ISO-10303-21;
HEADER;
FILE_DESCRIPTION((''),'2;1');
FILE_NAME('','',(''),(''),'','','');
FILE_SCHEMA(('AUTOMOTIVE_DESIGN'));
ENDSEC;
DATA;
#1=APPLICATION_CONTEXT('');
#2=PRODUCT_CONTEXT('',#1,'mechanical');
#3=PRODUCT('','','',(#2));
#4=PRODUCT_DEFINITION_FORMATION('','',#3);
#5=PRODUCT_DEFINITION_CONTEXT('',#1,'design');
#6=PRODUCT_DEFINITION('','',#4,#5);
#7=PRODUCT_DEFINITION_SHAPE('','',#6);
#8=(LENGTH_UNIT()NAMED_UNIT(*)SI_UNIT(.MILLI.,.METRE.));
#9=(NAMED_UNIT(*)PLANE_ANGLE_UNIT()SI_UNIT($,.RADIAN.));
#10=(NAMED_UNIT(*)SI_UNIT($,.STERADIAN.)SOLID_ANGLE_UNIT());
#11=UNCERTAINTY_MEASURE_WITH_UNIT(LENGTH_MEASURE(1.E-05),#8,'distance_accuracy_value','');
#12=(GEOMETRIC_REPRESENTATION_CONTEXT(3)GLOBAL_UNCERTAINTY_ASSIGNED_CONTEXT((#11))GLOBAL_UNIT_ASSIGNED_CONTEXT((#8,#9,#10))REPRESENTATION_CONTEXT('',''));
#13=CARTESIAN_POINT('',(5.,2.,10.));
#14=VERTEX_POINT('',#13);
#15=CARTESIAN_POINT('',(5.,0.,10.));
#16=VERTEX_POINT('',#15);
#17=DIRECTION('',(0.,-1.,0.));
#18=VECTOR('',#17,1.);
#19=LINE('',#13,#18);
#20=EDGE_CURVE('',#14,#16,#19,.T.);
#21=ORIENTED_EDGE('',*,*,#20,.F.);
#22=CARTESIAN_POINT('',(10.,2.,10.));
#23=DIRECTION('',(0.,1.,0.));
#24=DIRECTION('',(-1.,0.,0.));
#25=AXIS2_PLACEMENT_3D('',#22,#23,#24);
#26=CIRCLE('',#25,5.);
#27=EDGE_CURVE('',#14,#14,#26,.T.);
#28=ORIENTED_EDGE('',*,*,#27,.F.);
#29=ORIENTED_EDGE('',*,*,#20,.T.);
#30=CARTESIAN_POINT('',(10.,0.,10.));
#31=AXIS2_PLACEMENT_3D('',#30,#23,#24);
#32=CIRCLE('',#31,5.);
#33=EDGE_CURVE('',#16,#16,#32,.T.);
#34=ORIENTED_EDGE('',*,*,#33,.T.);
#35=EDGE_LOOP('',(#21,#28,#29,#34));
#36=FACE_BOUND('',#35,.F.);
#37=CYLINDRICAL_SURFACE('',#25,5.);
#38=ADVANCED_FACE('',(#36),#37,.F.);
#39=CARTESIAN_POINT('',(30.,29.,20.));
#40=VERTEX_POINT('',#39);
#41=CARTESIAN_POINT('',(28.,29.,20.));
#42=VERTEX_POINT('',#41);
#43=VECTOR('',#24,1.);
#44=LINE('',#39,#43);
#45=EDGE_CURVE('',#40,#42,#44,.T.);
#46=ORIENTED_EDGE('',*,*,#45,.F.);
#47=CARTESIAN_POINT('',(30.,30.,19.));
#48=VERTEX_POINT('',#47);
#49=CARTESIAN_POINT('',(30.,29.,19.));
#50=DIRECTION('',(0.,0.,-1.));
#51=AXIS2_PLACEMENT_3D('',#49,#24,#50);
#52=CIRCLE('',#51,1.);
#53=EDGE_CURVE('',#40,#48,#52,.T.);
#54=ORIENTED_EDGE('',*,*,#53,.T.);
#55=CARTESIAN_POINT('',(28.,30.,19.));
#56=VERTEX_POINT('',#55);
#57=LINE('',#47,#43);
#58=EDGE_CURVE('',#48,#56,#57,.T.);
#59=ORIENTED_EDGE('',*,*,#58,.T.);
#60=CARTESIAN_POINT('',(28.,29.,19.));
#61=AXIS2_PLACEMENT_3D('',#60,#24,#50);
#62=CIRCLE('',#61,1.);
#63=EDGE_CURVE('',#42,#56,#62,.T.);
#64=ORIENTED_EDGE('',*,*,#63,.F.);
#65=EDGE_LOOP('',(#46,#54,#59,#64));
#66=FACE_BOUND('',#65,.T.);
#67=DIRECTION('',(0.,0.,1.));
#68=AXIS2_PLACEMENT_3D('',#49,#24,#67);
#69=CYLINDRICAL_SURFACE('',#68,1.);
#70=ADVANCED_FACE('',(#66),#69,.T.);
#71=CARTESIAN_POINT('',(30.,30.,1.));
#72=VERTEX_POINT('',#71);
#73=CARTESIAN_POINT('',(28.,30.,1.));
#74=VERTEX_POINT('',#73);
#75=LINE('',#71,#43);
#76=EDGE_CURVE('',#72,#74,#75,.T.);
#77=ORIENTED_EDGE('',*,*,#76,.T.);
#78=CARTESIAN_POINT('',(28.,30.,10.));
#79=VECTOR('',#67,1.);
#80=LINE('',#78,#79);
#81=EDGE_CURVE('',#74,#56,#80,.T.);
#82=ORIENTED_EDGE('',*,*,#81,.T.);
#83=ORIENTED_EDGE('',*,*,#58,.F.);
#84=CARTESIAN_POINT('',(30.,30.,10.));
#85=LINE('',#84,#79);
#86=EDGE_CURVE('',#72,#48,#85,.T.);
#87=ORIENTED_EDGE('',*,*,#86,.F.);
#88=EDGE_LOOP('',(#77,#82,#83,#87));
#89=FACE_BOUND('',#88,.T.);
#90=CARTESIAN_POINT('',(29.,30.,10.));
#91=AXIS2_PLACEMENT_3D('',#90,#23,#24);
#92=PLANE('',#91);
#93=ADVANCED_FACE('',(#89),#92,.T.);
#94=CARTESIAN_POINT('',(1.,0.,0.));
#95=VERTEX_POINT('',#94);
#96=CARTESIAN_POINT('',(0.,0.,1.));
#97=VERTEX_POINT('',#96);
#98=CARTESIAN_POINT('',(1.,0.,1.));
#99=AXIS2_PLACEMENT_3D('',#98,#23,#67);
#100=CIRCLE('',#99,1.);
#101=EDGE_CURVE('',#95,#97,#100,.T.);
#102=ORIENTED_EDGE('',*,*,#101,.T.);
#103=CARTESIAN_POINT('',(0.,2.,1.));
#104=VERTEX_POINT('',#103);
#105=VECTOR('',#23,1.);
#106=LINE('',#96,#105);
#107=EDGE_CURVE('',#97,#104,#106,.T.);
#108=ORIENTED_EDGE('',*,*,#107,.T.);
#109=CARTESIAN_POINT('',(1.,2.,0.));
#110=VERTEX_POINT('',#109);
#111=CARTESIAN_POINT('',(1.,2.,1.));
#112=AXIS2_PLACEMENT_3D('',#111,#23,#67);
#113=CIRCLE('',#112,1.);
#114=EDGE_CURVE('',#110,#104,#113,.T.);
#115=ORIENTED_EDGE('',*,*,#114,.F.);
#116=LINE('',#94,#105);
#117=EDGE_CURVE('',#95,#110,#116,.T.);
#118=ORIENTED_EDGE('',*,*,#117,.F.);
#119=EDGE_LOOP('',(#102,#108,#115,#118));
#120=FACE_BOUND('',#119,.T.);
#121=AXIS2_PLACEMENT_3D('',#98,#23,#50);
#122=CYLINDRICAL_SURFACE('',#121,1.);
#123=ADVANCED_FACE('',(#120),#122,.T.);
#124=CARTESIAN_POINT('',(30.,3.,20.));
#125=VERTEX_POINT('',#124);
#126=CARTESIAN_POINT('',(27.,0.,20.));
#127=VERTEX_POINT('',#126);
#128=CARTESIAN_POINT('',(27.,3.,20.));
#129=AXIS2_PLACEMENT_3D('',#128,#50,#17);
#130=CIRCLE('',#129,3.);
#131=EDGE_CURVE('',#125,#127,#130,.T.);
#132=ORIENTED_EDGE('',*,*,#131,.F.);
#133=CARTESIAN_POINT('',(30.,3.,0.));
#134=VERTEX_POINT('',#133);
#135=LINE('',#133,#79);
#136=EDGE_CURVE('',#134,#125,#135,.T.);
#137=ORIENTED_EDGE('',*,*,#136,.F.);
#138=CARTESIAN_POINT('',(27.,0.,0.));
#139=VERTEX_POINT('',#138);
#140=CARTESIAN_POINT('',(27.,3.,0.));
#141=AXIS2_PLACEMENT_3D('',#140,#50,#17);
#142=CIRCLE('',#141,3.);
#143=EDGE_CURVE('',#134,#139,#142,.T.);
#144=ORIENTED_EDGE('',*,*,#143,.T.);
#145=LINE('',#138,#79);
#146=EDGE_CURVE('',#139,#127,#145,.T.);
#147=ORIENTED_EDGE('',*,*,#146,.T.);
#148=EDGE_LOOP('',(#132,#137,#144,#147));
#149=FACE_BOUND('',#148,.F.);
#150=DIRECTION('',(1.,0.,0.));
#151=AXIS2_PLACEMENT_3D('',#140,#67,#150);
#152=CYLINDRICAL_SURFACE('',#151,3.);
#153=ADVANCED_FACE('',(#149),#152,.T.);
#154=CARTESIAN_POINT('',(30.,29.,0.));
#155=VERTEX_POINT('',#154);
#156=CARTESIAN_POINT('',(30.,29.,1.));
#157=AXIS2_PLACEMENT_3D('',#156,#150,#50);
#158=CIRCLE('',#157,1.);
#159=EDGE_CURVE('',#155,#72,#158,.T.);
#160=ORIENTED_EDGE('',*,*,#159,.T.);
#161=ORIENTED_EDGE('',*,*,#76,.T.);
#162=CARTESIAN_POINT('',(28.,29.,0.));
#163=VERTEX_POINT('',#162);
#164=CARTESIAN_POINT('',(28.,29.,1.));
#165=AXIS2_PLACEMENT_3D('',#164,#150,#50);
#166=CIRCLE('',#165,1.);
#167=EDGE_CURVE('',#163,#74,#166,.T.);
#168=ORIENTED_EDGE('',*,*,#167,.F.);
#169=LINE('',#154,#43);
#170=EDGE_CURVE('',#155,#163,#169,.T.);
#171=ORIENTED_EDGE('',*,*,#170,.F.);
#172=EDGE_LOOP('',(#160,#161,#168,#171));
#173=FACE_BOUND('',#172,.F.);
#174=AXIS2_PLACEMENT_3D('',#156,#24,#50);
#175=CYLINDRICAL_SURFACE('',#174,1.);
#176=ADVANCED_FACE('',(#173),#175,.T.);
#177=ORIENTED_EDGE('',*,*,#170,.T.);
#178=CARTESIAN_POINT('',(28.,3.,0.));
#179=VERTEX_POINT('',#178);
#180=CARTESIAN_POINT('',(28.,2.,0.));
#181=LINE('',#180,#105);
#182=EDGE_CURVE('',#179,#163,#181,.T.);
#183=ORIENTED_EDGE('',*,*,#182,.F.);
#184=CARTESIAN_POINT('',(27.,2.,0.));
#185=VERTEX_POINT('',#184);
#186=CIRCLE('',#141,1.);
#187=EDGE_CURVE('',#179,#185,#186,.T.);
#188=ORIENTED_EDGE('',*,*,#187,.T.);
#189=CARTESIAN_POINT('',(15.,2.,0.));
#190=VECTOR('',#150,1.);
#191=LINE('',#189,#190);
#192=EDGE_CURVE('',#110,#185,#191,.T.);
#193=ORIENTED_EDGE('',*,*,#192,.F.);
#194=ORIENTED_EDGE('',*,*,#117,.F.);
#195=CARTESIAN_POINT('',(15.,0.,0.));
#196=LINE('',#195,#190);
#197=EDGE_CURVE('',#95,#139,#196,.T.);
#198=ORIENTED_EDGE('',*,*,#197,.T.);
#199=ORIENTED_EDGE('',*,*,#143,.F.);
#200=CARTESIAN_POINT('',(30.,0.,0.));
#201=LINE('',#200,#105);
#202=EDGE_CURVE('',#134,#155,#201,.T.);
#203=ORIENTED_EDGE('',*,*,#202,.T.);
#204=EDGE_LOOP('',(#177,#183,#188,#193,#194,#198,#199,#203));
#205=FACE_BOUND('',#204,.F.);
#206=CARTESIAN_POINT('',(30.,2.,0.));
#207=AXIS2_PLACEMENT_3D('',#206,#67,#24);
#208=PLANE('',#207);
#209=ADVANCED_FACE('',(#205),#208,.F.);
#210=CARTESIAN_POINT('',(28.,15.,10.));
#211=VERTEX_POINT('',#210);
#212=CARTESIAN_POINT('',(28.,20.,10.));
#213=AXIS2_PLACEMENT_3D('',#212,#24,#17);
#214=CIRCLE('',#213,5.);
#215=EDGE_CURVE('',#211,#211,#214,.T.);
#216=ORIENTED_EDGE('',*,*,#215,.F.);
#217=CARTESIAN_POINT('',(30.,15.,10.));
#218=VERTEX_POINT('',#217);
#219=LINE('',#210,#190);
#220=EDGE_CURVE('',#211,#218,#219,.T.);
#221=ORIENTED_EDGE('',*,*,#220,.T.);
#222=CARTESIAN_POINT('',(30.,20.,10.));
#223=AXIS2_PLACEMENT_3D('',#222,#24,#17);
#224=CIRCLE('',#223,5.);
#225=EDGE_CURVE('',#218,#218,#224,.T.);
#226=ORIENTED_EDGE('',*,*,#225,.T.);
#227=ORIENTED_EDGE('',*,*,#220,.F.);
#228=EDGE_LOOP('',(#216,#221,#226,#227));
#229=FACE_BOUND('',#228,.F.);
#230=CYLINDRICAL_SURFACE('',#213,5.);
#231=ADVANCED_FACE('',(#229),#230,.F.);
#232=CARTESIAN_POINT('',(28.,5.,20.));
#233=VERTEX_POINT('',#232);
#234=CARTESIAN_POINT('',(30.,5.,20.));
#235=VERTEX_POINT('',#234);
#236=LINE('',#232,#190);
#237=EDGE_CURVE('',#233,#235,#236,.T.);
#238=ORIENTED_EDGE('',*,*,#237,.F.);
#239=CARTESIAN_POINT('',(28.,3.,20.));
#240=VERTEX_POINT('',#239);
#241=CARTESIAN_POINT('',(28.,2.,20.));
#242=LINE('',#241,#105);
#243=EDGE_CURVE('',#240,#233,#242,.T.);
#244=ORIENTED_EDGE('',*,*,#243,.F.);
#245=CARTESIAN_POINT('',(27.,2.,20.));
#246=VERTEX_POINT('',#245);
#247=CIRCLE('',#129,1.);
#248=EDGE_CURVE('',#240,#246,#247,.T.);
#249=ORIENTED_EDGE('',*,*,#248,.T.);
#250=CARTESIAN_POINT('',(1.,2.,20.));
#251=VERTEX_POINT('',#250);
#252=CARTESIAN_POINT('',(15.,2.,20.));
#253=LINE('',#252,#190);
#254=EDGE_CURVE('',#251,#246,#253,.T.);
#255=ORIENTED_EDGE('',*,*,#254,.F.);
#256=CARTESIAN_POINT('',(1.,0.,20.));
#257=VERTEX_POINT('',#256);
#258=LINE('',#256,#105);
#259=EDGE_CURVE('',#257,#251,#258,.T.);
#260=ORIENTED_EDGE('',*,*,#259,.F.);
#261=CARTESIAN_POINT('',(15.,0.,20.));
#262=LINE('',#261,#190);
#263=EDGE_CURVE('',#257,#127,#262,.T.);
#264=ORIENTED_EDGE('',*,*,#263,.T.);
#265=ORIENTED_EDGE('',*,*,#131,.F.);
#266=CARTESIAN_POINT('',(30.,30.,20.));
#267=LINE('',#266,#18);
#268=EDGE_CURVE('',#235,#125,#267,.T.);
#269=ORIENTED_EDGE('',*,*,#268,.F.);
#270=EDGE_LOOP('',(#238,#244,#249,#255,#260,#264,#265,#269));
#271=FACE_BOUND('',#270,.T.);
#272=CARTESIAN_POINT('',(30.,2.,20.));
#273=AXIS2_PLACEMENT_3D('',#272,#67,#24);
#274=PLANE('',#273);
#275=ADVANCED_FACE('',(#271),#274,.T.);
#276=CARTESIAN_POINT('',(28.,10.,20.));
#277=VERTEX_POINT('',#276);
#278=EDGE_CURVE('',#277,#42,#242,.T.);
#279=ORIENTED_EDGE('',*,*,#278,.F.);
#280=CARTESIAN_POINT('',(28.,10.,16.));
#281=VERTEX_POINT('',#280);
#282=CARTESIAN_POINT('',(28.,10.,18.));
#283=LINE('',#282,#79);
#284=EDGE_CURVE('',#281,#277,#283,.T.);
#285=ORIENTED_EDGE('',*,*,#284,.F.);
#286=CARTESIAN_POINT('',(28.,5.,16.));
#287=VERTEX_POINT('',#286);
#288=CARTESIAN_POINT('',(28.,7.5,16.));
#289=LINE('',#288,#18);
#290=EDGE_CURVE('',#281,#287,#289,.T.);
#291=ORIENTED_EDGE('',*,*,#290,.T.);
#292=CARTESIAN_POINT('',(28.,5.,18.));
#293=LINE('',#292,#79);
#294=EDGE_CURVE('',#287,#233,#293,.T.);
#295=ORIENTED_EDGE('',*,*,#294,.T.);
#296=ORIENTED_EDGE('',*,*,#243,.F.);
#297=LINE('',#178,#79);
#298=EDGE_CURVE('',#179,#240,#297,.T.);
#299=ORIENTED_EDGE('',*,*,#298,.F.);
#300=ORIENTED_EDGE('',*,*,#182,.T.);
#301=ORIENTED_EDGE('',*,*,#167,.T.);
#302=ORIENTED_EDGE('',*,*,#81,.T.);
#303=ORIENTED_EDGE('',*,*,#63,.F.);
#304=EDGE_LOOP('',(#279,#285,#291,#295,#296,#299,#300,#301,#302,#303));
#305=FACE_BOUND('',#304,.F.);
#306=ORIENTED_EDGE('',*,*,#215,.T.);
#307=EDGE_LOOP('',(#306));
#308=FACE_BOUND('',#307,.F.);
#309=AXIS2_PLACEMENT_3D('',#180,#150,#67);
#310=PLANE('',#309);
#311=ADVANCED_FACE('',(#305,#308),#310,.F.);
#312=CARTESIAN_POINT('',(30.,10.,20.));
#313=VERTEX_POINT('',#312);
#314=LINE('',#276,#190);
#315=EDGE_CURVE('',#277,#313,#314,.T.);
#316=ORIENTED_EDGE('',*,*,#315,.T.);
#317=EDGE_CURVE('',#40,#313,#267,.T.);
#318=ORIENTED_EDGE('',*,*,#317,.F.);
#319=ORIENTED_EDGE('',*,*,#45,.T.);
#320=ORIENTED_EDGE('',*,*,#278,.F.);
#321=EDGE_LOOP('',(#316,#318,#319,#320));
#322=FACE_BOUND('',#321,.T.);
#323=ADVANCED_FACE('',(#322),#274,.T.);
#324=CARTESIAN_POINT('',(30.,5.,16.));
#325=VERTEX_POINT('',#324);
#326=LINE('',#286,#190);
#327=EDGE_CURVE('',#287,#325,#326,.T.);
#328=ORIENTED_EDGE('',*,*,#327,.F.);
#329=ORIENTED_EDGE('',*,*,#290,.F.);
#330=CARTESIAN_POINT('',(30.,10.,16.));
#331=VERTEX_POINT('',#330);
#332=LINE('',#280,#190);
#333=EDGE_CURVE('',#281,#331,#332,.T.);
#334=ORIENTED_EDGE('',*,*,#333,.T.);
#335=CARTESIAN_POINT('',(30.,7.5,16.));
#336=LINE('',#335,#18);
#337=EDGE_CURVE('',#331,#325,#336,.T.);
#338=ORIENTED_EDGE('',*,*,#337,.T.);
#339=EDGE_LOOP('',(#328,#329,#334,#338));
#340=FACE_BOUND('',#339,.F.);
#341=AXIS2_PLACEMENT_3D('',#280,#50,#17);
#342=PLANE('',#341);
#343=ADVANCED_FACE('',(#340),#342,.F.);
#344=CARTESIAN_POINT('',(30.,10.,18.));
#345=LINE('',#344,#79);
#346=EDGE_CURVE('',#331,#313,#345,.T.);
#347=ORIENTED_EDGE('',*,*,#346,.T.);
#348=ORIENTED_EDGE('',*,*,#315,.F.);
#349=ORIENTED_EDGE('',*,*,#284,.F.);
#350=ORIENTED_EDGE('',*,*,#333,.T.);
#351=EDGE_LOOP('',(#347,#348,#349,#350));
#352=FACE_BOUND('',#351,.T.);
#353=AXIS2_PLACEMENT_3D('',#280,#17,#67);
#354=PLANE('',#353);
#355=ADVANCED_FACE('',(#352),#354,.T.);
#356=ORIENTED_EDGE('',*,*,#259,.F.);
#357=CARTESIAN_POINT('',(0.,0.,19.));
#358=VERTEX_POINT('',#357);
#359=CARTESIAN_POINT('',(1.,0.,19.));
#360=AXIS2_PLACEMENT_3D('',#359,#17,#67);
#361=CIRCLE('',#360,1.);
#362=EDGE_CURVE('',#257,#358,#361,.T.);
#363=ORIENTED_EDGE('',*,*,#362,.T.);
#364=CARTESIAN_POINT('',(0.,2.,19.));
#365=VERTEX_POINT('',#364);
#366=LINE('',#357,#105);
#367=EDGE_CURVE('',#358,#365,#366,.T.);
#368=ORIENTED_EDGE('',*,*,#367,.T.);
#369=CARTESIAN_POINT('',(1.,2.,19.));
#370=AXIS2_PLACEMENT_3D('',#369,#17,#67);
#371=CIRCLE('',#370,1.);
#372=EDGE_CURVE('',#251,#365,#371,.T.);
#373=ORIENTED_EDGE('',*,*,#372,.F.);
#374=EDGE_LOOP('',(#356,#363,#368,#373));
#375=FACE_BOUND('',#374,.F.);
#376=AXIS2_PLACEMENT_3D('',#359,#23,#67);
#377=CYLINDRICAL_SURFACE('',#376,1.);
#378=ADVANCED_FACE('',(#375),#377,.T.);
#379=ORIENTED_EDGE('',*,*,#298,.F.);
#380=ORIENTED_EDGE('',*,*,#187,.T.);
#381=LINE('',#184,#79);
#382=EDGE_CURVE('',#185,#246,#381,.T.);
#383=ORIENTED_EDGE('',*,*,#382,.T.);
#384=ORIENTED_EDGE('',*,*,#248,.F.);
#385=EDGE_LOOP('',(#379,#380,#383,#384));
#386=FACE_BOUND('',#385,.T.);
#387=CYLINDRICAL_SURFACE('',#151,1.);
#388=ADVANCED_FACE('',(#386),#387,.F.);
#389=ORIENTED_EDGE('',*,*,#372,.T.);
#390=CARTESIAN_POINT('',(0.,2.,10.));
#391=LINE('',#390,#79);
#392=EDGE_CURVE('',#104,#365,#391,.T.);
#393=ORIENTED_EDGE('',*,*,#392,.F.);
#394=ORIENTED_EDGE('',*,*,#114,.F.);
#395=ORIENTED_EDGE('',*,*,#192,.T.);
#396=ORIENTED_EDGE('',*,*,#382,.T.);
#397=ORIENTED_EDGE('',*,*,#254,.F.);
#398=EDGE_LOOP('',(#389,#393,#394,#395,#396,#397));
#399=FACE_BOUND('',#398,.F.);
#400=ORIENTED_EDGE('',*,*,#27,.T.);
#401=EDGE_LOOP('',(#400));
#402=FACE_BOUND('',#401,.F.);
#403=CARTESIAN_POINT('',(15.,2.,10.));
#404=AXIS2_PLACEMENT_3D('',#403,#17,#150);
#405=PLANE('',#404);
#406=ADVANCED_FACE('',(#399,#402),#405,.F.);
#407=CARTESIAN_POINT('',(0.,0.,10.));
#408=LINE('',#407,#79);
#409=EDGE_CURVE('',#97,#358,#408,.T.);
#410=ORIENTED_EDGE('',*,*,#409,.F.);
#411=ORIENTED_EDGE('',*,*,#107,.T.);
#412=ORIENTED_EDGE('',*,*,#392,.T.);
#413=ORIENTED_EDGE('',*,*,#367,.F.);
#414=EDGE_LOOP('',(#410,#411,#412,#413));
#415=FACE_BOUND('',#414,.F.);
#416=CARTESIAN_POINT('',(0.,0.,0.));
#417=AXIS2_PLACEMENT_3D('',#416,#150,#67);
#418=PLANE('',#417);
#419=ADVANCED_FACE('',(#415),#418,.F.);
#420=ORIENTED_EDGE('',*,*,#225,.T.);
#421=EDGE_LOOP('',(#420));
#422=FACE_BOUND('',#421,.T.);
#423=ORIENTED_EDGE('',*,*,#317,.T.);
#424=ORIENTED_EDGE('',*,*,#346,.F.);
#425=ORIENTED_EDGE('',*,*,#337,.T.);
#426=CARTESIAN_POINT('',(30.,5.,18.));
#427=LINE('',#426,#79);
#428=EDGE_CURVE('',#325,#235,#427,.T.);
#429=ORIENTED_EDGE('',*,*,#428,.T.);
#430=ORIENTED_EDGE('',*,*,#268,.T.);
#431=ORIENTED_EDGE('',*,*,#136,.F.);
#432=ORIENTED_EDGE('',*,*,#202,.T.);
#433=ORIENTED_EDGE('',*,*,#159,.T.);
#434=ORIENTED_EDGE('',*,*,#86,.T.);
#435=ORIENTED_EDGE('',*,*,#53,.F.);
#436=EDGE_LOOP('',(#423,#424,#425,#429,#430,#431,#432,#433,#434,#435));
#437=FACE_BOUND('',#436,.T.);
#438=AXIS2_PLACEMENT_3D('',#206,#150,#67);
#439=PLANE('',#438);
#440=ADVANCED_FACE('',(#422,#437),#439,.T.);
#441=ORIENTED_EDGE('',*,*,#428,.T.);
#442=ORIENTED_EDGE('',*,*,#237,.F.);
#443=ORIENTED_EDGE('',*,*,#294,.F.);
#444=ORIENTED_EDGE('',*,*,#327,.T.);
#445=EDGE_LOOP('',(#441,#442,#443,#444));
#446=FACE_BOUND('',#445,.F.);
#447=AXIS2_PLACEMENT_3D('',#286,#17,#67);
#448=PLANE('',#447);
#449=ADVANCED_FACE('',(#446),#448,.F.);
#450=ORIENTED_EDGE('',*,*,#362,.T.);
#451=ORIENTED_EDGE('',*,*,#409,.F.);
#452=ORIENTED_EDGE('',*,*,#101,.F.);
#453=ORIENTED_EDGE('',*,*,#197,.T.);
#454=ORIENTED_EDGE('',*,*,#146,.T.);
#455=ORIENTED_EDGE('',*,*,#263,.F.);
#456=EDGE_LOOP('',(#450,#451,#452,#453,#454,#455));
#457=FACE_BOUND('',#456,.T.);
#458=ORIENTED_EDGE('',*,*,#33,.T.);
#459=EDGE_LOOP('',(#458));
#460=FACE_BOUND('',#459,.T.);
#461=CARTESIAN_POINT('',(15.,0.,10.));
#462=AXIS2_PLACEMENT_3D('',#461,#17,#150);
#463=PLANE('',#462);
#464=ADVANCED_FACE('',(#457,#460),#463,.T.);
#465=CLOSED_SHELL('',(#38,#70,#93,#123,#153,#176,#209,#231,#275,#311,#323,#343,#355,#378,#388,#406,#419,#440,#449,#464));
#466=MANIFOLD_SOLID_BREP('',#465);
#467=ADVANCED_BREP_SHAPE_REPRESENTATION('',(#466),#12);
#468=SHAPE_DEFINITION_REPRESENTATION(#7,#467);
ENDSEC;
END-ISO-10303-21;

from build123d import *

# Parameters (mm, degrees)
F0_W     = 30
F0_H     = 20
F1_DEPTH = 2
F2_W     = 2
F2_H     = 20
F3_DEPTH = 28
F4_R     = 5
F5_DEPTH = 2
F6_R     = 5
F7_DEPTH = 2
F8_W     = 5
F8_H     = 4
F9_DEPTH = 2
F10_R    = 1
F11_R    = 3


with BuildPart() as f1:
    # F0 (on Front) → F1 (new body)
    with BuildSketch(Plane.XZ):
        with Locations((15, 10)):
            Rectangle(F0_W, F0_H)
    extrude(amount=-F1_DEPTH)

    # F2 (on face) → F3 (join)
    with BuildSketch(Plane(origin=(0, 2, 0), x_dir=(-1, 0, 0), z_dir=(0, 1, 0))):
        with Locations((-29, 10)):
            Rectangle(F2_W, F2_H)
    extrude(amount=F3_DEPTH)

    # F4 (on face) → F5 (cut, through all)
    with BuildSketch(Plane(origin=(0, 2, 0), x_dir=(-1, 0, 0), z_dir=(0, 1, 0))):
        with Locations((-10, 10)):
            Circle(F4_R)
    extrude(amount=-F5_DEPTH, mode=Mode.SUBTRACT)

    # F6 (on face) → F7 (cut, through all)
    with BuildSketch(Plane(origin=(28, 0, 0), x_dir=(0, -1, 0), z_dir=(-1, 0, 0))):
        with Locations((-20, 10)):
            Circle(F6_R)
    extrude(amount=-F7_DEPTH, mode=Mode.SUBTRACT)

    # F8 (on face) → F9 (cut, through all)
    with BuildSketch(Plane(origin=(28, 0, 0), x_dir=(0, -1, 0), z_dir=(-1, 0, 0))):
        with Locations((-7.5, 18)):
            Rectangle(F8_W, F8_H)
    extrude(amount=-F9_DEPTH, mode=Mode.SUBTRACT)

    # F10
    f10_edges = [f1.edges().sort_by_distance(p)[0] for p in [
        (28, 2, 10),
        (0, 1, 20),
        (0, 1, 0),
        (29, 30, 20),
        (29, 30, 0),
    ]]
    fillet(f10_edges, radius=F10_R)

    # F11
    f11_edges = [f1.edges().sort_by_distance(p)[0] for p in [
        (30, 0, 10),
    ]]
    fillet(f11_edges, radius=F11_R)


solid = f1.part
